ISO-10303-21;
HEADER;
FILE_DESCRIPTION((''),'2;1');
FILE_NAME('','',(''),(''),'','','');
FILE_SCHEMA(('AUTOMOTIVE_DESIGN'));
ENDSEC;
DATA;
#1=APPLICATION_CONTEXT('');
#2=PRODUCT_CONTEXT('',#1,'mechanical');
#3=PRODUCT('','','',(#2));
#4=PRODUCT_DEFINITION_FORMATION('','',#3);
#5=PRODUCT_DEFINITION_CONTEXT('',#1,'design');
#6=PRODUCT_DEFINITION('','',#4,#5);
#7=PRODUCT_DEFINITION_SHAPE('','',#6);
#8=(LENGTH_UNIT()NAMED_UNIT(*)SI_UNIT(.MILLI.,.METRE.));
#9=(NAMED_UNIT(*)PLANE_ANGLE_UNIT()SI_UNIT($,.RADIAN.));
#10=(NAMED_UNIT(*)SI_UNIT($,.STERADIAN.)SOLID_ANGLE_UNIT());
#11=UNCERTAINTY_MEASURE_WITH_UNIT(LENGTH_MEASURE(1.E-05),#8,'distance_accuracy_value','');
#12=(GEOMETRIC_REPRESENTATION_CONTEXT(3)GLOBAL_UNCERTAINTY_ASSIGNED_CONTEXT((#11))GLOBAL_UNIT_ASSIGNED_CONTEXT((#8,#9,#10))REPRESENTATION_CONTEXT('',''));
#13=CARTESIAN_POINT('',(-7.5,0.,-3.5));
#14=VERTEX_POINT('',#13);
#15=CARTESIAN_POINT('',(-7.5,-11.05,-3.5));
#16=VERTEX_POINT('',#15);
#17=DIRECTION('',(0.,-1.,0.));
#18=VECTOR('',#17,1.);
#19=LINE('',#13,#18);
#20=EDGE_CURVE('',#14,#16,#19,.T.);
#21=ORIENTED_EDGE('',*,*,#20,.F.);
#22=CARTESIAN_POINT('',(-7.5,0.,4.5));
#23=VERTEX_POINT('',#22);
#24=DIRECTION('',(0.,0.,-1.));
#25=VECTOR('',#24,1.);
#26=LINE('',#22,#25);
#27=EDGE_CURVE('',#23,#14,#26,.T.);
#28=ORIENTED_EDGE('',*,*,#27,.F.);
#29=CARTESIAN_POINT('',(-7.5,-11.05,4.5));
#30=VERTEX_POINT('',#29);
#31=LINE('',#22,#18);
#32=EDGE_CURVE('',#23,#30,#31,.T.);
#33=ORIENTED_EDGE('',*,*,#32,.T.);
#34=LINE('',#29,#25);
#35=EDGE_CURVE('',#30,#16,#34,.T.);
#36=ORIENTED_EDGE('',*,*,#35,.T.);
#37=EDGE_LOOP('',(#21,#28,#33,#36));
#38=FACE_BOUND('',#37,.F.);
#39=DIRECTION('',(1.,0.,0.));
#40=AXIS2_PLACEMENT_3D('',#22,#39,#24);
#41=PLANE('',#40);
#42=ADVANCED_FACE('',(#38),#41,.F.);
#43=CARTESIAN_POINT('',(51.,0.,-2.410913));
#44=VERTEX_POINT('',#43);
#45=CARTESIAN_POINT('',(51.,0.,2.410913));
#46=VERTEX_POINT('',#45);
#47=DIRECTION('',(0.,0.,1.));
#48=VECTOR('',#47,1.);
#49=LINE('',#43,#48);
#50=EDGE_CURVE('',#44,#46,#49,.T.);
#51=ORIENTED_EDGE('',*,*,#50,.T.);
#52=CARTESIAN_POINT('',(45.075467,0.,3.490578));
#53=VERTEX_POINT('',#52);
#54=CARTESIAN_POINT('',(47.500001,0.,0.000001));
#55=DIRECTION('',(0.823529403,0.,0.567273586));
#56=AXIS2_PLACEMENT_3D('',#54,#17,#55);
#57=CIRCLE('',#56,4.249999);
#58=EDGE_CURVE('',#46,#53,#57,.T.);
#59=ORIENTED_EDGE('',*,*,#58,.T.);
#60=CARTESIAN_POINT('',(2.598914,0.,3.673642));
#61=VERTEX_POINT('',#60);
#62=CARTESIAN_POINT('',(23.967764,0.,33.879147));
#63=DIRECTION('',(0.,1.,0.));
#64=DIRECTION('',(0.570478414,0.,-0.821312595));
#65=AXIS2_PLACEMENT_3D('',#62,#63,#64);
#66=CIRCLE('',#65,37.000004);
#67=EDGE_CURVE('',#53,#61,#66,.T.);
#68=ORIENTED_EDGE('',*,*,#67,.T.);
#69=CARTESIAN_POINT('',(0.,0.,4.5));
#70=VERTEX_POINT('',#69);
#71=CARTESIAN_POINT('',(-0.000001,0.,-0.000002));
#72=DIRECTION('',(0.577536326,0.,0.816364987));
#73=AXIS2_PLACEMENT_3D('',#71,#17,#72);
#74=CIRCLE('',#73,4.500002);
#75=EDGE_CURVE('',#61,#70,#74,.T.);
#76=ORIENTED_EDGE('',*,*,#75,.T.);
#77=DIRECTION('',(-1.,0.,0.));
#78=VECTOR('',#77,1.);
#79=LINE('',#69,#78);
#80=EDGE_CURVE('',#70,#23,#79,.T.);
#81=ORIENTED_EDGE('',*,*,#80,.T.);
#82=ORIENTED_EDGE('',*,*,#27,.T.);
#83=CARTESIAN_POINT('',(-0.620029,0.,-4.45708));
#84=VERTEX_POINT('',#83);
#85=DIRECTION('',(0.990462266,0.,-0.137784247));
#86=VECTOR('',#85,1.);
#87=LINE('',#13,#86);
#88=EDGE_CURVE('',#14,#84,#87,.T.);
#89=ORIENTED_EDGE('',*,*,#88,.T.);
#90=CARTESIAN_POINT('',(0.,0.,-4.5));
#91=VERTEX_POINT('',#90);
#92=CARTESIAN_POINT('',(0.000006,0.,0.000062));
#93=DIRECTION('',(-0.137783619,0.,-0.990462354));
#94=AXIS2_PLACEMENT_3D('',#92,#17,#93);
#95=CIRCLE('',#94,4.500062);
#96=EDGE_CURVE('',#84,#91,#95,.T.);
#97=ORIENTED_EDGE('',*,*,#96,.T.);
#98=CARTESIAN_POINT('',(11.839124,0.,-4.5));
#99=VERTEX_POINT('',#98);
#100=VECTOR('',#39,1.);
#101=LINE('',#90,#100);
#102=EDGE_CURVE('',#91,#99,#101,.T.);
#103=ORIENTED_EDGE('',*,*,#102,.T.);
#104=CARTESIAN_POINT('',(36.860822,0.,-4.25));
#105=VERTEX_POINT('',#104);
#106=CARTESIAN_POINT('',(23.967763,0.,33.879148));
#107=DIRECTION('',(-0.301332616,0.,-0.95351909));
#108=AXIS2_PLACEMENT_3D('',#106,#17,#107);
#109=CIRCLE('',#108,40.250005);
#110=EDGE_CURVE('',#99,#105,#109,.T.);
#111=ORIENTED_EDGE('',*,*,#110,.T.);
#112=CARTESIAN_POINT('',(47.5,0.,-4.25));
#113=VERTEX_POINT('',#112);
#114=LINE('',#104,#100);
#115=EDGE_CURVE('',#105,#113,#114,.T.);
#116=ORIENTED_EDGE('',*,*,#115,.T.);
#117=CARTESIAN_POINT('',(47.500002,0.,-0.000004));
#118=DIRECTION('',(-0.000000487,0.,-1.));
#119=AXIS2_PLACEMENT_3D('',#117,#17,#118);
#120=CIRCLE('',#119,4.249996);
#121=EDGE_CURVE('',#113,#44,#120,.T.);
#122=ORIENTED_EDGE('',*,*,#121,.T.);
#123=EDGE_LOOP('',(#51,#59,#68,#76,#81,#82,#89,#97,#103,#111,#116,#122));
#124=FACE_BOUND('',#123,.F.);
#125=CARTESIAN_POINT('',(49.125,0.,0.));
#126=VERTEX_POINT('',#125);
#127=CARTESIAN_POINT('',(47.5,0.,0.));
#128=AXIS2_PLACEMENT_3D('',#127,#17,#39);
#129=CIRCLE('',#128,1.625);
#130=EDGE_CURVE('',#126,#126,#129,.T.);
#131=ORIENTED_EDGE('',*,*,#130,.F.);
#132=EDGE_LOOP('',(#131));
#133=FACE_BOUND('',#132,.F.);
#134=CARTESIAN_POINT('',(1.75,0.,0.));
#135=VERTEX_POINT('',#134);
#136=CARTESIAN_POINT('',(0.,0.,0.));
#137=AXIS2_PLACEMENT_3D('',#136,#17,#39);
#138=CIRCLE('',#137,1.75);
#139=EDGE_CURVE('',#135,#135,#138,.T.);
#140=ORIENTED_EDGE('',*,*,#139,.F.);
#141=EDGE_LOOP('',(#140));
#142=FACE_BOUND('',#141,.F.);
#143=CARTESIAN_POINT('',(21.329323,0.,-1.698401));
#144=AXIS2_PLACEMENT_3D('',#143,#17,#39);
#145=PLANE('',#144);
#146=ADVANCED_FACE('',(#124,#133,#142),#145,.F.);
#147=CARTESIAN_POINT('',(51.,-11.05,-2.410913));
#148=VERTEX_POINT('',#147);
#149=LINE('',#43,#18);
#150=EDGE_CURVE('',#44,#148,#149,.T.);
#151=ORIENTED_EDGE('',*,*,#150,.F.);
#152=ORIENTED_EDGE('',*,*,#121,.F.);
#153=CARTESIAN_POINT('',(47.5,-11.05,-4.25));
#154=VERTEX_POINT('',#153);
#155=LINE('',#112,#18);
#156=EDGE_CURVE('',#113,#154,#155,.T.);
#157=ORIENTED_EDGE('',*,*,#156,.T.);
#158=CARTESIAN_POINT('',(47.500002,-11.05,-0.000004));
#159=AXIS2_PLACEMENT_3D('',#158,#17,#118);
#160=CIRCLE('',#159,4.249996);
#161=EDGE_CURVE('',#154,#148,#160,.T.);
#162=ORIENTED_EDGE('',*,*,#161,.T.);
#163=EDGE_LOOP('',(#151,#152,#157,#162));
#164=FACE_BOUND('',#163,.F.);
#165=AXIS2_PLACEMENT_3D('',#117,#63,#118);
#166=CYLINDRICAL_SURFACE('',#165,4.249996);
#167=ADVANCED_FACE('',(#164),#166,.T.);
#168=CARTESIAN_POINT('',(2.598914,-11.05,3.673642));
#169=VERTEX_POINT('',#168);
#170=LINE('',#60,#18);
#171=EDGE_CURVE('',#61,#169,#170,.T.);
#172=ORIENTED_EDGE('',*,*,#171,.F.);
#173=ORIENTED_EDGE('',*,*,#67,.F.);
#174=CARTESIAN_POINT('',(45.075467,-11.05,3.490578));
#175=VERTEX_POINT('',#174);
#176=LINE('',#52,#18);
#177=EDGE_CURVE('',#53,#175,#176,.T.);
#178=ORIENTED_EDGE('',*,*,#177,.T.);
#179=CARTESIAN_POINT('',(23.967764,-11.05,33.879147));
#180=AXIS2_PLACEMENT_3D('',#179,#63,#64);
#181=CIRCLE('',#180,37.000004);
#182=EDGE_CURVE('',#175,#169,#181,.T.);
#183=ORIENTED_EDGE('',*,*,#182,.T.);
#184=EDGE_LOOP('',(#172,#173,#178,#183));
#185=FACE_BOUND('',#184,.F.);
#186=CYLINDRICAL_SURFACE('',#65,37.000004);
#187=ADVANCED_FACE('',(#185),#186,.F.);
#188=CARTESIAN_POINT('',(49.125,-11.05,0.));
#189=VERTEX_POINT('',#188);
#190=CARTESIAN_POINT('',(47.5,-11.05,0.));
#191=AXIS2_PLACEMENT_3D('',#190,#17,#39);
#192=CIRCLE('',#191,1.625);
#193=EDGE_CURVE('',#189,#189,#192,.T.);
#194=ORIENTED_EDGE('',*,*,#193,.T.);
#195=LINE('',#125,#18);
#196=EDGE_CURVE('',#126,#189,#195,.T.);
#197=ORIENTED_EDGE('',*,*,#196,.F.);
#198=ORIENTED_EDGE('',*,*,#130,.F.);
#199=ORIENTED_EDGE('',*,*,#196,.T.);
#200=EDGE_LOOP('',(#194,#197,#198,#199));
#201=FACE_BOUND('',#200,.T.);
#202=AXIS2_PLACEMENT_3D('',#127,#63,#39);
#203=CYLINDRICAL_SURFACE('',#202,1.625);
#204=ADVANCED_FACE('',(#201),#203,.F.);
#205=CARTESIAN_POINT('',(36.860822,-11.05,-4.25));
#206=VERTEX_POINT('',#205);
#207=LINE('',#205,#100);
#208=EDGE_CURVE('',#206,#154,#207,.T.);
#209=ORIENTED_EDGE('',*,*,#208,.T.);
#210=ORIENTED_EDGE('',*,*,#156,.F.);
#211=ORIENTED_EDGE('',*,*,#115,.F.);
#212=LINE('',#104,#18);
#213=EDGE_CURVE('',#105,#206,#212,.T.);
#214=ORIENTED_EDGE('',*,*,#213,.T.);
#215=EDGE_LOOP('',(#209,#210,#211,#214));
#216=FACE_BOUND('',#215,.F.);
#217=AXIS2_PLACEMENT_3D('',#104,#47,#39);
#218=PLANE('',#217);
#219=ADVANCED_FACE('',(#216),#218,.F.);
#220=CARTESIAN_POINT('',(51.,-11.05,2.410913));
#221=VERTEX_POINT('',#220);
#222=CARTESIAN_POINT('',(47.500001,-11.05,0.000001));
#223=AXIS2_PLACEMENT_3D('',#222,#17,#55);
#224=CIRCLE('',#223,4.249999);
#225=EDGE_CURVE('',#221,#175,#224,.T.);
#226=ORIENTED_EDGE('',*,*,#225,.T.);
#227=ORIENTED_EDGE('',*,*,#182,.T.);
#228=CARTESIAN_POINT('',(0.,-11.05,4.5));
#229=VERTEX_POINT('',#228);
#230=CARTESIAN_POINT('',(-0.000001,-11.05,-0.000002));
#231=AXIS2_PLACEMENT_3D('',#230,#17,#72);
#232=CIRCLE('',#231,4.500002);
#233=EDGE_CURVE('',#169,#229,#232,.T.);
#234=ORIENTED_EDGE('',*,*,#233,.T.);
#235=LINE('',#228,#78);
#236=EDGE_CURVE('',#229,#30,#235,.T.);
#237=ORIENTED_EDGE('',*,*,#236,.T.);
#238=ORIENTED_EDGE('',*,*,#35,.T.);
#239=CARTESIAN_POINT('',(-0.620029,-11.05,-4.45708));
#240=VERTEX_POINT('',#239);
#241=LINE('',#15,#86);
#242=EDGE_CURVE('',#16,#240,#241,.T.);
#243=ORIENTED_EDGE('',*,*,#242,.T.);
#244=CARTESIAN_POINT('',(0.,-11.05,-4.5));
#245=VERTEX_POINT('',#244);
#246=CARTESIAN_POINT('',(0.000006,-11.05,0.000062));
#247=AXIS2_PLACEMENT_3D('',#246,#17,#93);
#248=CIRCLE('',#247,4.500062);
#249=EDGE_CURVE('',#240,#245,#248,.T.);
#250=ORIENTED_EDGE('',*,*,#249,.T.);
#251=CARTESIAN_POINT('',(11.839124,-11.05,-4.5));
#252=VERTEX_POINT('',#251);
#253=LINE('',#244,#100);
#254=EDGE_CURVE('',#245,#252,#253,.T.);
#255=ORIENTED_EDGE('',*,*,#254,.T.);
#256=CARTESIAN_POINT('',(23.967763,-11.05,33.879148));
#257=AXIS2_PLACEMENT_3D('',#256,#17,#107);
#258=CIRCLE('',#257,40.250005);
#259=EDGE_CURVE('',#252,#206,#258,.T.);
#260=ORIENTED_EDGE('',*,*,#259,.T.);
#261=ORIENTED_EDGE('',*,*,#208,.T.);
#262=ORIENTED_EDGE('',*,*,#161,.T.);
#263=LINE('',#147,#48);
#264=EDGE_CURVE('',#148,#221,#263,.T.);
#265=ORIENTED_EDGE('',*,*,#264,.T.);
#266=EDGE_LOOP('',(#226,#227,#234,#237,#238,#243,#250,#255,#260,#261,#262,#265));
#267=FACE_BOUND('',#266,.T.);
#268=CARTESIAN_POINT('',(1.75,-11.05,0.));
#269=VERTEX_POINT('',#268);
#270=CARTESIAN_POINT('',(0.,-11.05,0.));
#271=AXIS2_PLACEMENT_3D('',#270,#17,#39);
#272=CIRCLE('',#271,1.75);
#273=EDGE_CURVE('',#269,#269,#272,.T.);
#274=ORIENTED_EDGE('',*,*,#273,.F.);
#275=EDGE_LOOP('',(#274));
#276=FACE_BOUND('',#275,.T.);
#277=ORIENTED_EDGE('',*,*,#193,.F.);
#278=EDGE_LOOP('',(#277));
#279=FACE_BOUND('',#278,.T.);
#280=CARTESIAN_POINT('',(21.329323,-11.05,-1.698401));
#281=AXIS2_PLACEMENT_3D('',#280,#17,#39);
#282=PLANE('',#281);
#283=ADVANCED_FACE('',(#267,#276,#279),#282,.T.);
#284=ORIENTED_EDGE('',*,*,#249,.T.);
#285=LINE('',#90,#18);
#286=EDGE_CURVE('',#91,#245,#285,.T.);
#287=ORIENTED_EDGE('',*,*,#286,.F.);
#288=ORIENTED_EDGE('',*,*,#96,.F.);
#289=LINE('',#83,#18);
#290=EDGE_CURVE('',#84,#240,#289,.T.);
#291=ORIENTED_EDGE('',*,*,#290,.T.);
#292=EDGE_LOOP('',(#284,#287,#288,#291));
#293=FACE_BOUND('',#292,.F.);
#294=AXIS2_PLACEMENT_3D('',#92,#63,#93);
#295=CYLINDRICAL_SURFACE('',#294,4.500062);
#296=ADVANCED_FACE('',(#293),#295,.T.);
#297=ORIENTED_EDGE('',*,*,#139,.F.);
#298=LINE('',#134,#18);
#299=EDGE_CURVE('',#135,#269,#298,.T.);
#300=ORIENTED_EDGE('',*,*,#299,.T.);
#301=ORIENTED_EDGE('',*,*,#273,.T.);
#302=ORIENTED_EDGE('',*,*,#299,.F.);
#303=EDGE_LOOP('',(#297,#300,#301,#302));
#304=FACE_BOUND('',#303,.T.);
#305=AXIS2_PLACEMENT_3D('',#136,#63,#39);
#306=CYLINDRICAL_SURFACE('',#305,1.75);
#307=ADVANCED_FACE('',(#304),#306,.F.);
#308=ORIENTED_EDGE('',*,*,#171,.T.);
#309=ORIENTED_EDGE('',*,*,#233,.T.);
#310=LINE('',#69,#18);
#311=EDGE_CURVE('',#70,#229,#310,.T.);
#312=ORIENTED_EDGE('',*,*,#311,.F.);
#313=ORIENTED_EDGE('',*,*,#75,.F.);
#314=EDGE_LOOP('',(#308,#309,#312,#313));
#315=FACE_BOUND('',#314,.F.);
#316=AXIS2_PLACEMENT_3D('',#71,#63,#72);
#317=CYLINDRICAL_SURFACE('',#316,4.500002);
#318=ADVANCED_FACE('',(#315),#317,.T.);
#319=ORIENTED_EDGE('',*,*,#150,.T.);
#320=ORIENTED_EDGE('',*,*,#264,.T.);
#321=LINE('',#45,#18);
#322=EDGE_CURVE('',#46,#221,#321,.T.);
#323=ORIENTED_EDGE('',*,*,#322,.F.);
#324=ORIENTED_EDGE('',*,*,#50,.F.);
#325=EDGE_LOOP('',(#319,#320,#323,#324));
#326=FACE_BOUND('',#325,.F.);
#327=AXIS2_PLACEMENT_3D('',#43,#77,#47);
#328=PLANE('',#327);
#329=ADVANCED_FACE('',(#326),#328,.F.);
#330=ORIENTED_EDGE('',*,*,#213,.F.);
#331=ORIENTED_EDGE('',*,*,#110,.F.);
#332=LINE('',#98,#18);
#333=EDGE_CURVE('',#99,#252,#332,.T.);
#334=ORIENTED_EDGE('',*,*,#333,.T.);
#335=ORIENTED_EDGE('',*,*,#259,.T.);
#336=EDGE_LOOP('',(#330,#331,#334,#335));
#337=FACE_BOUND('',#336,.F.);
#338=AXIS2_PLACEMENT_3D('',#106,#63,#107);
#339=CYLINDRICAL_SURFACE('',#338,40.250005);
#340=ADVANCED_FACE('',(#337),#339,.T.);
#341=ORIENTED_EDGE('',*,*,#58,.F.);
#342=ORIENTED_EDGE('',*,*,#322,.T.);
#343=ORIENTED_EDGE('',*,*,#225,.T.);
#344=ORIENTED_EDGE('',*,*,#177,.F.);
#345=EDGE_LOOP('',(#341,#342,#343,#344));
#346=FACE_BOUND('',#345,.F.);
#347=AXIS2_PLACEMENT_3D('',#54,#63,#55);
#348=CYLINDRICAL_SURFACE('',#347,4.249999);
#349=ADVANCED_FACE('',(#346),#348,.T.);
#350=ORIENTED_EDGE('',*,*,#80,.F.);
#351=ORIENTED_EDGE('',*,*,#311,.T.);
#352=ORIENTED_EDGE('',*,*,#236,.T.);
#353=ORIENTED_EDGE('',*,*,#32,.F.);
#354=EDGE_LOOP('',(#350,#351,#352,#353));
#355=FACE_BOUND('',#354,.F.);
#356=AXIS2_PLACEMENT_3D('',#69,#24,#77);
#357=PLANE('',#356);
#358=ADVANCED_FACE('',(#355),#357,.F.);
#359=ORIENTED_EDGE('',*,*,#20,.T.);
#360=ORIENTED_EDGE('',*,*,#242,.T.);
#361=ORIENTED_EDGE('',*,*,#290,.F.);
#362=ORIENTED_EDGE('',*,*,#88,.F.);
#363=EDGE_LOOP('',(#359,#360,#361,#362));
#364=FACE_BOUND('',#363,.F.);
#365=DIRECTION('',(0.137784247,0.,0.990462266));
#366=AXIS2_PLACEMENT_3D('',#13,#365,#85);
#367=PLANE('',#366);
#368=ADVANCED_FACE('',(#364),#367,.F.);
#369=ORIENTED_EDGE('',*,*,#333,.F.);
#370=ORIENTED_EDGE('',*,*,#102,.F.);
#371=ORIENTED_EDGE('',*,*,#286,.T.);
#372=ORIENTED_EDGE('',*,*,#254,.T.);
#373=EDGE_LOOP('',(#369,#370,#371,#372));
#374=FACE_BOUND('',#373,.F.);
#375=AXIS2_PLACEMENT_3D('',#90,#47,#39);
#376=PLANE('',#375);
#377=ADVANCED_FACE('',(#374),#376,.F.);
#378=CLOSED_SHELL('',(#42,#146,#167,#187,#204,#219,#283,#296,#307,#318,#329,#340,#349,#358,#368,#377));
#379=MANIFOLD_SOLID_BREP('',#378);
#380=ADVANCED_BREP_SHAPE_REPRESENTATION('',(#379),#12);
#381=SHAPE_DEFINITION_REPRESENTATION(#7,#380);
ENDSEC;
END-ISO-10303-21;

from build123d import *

# Parameters (mm, degrees)
F0_R     = 1.75
F0_R_2   = 1.625
F1_DEPTH = 11.05


with BuildPart() as f1:
    # F0 (on Front) → F1 (new body)
    with BuildSketch(Plane.XZ):
        with BuildLine():
            Line((-7.5, -3.5), (-0.620029, -4.45708))
            ThreePointArc((-0.620029, -4.45708), (-0.310756, -4.489257), (0, -4.5))
            Line((0, -4.5), (11.839124, -4.5))
            ThreePointArc((11.839124, -4.5), (24.369894, -6.368848), (36.860822, -4.25))
            Line((36.860822, -4.25), (47.5, -4.25))
            ThreePointArc((47.5, -4.25), (49.476882, -3.762239), (51, -2.410913))
            Line((51, -2.410913), (51, 2.410913))
            ThreePointArc((51, 2.410913), (48.261956, 4.181139), (45.075467, 3.490578))
            ThreePointArc((45.075467, 3.490578), (23.808304, -3.120513), (2.598914, 3.673642))
            ThreePointArc((2.598914, 3.673642), (1.363564, 4.288437), (0, 4.5))
            Line((0, 4.5), (-7.5, 4.5))
            Line((-7.5, 4.5), (-7.5, -3.5))
        make_face()
        Circle(F0_R, mode=Mode.SUBTRACT)
        with Locations((47.5, 0)):
            Circle(F0_R_2, mode=Mode.SUBTRACT)
    extrude(amount=F1_DEPTH)


solid = f1.part
